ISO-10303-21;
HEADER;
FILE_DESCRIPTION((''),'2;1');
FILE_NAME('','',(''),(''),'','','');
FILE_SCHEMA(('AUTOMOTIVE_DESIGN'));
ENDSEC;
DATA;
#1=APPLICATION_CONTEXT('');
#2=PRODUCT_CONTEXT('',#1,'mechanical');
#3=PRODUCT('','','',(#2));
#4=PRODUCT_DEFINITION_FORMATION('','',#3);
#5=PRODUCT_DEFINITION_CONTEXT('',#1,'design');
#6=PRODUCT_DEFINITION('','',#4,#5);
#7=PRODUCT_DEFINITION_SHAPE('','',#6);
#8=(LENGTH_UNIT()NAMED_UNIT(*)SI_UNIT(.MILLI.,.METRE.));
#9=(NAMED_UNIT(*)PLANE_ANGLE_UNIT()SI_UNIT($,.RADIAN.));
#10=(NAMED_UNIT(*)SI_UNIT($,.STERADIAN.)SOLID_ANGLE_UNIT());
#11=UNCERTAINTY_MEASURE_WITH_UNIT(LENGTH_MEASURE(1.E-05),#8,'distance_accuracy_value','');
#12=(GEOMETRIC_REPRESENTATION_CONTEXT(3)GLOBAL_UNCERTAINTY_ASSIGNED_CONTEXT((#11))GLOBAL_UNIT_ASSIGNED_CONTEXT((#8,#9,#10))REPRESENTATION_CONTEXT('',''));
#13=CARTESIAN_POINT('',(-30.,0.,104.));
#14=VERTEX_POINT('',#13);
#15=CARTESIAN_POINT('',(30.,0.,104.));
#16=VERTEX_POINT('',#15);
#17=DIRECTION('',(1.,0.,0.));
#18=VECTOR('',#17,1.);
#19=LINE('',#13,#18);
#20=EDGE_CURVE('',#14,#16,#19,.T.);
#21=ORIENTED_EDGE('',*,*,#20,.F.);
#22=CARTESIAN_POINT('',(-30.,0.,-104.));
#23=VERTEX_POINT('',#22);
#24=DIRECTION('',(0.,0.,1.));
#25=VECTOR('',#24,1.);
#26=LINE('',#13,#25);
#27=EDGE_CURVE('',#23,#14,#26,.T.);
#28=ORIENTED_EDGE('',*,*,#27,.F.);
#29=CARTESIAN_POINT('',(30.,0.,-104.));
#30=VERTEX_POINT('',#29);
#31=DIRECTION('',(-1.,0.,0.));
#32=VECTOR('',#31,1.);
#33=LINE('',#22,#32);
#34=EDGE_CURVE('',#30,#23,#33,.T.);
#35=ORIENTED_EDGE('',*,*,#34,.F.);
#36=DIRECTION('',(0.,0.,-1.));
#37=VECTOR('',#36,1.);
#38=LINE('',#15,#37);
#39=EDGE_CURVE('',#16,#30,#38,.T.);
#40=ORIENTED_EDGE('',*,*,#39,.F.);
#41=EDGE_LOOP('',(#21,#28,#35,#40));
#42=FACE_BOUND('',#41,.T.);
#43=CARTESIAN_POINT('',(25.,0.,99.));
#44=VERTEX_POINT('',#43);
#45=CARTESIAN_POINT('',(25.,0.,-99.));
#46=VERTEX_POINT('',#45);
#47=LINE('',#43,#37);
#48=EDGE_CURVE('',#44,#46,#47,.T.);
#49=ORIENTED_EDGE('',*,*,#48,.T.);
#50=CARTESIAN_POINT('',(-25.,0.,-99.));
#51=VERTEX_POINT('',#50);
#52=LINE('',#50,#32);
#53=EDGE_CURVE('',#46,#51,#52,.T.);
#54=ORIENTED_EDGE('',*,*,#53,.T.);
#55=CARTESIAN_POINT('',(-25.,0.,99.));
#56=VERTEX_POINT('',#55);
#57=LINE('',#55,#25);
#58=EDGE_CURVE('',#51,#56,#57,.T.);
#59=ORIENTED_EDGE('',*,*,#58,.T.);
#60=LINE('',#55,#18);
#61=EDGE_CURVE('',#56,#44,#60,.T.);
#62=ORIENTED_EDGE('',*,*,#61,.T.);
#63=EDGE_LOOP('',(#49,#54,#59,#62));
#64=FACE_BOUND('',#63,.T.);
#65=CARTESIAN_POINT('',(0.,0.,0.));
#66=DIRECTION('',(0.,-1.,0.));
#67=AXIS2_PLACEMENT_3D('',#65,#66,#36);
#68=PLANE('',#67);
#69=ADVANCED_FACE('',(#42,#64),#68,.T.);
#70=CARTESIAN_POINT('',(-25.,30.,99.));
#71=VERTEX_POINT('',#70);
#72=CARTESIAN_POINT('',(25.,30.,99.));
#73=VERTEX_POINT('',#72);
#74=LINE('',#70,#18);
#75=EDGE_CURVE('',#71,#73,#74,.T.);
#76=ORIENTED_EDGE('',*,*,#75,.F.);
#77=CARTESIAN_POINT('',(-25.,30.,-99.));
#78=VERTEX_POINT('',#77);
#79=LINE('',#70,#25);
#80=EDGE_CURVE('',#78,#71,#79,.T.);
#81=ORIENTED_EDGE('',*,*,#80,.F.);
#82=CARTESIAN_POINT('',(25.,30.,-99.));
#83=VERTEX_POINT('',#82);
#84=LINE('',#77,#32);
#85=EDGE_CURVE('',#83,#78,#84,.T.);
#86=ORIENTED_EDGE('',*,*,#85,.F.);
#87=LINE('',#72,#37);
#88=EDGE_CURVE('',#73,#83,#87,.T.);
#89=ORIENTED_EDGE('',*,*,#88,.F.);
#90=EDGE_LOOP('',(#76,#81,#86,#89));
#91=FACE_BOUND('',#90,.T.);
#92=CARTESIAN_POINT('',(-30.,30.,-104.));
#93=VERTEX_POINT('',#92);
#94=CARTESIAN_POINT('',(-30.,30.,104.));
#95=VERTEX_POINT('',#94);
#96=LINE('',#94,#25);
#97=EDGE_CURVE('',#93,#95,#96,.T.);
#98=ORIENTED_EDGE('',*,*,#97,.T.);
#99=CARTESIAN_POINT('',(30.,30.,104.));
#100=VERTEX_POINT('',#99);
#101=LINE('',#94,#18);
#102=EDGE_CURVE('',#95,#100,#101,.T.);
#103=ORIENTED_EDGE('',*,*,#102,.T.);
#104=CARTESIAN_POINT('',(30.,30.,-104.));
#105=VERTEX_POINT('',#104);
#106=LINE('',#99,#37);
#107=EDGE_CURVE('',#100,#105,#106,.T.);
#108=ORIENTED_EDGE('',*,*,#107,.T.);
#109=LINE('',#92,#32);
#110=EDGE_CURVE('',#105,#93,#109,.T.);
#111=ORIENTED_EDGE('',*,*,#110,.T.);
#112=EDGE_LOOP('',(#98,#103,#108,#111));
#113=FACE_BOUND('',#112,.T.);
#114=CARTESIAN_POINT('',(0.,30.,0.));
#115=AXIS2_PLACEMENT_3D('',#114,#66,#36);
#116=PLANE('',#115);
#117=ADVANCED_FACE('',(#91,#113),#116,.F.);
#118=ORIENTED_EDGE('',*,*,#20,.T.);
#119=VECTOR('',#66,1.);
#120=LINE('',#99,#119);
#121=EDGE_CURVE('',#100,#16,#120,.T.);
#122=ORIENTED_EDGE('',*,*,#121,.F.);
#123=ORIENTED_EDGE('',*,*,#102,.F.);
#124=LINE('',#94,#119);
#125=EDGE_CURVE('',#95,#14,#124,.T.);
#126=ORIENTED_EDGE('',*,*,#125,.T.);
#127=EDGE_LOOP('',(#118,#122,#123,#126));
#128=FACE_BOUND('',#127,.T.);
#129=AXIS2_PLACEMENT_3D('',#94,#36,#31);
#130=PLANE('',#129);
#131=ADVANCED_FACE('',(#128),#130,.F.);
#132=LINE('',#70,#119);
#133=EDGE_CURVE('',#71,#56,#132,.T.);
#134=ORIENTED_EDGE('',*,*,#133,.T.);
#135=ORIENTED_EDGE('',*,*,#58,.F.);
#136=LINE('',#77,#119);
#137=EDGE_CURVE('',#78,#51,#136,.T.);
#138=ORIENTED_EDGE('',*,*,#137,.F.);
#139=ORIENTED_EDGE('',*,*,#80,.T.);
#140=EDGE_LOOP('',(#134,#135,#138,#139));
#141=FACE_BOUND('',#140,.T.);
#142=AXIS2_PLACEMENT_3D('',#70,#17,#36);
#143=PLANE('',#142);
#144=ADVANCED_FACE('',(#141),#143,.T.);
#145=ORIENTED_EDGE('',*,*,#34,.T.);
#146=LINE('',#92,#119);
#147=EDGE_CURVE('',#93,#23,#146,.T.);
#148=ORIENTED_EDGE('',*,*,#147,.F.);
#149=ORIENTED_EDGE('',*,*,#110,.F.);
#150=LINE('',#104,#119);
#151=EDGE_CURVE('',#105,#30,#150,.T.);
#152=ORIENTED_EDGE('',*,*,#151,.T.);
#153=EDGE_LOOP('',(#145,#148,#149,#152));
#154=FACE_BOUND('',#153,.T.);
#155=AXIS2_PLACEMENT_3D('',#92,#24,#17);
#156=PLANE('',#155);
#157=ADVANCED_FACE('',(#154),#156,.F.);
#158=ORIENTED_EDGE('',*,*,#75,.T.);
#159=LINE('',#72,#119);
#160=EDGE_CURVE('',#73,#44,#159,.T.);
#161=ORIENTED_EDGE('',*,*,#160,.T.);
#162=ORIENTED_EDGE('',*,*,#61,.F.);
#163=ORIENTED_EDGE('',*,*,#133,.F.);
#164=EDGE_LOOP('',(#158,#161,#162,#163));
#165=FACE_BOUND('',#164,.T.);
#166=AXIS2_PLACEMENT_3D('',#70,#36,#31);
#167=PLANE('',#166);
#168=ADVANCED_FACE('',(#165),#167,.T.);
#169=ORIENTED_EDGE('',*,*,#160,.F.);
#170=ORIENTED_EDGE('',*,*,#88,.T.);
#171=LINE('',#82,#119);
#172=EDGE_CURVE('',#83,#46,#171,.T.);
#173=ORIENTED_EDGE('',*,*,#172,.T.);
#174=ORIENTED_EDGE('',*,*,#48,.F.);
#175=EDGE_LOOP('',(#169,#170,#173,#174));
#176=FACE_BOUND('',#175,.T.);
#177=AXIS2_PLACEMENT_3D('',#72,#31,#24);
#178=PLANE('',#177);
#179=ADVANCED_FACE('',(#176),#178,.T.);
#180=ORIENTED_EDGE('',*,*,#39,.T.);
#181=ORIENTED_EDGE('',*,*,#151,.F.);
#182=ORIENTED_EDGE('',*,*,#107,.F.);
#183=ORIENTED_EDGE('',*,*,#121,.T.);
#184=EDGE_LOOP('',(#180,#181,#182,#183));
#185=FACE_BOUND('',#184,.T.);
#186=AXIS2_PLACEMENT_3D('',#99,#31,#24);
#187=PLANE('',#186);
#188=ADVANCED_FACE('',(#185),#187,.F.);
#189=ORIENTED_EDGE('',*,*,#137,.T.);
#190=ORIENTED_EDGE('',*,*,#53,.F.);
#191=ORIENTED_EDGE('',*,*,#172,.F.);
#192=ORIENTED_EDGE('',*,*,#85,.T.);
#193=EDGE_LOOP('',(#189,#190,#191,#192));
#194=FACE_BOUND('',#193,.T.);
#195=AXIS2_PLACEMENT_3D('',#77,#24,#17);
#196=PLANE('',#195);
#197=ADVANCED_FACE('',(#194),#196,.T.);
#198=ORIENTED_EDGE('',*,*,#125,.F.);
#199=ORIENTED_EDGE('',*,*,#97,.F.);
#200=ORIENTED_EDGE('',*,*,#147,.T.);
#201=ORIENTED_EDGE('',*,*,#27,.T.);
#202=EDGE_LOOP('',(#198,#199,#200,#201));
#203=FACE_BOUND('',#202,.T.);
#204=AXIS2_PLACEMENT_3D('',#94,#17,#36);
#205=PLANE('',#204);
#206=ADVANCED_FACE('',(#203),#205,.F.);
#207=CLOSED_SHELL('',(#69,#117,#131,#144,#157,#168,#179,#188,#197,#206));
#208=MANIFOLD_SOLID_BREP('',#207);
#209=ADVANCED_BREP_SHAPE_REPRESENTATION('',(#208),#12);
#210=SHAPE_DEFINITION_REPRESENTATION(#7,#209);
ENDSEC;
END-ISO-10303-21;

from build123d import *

# Parameters (mm, degrees)
SKETCH_1_W      = 60
SKETCH_1_H      = 208
SKETCH_1_W_2    = 50
SKETCH_1_H_2    = 198
EXTRUDE_1_DEPTH = 30


with BuildPart() as part:
    # ｽｹｯﾁ1 → ﾎﾞｽ - 押し出し1 (new body)
    with BuildSketch(Plane(origin=(0, 0, 0), x_dir=(1, 0, 0), z_dir=(0, 1, 0))):
        Rectangle(SKETCH_1_W, SKETCH_1_H)
        Rectangle(SKETCH_1_W_2, SKETCH_1_H_2, mode=Mode.SUBTRACT)
    extrude(amount=EXTRUDE_1_DEPTH)


solid = part.part
